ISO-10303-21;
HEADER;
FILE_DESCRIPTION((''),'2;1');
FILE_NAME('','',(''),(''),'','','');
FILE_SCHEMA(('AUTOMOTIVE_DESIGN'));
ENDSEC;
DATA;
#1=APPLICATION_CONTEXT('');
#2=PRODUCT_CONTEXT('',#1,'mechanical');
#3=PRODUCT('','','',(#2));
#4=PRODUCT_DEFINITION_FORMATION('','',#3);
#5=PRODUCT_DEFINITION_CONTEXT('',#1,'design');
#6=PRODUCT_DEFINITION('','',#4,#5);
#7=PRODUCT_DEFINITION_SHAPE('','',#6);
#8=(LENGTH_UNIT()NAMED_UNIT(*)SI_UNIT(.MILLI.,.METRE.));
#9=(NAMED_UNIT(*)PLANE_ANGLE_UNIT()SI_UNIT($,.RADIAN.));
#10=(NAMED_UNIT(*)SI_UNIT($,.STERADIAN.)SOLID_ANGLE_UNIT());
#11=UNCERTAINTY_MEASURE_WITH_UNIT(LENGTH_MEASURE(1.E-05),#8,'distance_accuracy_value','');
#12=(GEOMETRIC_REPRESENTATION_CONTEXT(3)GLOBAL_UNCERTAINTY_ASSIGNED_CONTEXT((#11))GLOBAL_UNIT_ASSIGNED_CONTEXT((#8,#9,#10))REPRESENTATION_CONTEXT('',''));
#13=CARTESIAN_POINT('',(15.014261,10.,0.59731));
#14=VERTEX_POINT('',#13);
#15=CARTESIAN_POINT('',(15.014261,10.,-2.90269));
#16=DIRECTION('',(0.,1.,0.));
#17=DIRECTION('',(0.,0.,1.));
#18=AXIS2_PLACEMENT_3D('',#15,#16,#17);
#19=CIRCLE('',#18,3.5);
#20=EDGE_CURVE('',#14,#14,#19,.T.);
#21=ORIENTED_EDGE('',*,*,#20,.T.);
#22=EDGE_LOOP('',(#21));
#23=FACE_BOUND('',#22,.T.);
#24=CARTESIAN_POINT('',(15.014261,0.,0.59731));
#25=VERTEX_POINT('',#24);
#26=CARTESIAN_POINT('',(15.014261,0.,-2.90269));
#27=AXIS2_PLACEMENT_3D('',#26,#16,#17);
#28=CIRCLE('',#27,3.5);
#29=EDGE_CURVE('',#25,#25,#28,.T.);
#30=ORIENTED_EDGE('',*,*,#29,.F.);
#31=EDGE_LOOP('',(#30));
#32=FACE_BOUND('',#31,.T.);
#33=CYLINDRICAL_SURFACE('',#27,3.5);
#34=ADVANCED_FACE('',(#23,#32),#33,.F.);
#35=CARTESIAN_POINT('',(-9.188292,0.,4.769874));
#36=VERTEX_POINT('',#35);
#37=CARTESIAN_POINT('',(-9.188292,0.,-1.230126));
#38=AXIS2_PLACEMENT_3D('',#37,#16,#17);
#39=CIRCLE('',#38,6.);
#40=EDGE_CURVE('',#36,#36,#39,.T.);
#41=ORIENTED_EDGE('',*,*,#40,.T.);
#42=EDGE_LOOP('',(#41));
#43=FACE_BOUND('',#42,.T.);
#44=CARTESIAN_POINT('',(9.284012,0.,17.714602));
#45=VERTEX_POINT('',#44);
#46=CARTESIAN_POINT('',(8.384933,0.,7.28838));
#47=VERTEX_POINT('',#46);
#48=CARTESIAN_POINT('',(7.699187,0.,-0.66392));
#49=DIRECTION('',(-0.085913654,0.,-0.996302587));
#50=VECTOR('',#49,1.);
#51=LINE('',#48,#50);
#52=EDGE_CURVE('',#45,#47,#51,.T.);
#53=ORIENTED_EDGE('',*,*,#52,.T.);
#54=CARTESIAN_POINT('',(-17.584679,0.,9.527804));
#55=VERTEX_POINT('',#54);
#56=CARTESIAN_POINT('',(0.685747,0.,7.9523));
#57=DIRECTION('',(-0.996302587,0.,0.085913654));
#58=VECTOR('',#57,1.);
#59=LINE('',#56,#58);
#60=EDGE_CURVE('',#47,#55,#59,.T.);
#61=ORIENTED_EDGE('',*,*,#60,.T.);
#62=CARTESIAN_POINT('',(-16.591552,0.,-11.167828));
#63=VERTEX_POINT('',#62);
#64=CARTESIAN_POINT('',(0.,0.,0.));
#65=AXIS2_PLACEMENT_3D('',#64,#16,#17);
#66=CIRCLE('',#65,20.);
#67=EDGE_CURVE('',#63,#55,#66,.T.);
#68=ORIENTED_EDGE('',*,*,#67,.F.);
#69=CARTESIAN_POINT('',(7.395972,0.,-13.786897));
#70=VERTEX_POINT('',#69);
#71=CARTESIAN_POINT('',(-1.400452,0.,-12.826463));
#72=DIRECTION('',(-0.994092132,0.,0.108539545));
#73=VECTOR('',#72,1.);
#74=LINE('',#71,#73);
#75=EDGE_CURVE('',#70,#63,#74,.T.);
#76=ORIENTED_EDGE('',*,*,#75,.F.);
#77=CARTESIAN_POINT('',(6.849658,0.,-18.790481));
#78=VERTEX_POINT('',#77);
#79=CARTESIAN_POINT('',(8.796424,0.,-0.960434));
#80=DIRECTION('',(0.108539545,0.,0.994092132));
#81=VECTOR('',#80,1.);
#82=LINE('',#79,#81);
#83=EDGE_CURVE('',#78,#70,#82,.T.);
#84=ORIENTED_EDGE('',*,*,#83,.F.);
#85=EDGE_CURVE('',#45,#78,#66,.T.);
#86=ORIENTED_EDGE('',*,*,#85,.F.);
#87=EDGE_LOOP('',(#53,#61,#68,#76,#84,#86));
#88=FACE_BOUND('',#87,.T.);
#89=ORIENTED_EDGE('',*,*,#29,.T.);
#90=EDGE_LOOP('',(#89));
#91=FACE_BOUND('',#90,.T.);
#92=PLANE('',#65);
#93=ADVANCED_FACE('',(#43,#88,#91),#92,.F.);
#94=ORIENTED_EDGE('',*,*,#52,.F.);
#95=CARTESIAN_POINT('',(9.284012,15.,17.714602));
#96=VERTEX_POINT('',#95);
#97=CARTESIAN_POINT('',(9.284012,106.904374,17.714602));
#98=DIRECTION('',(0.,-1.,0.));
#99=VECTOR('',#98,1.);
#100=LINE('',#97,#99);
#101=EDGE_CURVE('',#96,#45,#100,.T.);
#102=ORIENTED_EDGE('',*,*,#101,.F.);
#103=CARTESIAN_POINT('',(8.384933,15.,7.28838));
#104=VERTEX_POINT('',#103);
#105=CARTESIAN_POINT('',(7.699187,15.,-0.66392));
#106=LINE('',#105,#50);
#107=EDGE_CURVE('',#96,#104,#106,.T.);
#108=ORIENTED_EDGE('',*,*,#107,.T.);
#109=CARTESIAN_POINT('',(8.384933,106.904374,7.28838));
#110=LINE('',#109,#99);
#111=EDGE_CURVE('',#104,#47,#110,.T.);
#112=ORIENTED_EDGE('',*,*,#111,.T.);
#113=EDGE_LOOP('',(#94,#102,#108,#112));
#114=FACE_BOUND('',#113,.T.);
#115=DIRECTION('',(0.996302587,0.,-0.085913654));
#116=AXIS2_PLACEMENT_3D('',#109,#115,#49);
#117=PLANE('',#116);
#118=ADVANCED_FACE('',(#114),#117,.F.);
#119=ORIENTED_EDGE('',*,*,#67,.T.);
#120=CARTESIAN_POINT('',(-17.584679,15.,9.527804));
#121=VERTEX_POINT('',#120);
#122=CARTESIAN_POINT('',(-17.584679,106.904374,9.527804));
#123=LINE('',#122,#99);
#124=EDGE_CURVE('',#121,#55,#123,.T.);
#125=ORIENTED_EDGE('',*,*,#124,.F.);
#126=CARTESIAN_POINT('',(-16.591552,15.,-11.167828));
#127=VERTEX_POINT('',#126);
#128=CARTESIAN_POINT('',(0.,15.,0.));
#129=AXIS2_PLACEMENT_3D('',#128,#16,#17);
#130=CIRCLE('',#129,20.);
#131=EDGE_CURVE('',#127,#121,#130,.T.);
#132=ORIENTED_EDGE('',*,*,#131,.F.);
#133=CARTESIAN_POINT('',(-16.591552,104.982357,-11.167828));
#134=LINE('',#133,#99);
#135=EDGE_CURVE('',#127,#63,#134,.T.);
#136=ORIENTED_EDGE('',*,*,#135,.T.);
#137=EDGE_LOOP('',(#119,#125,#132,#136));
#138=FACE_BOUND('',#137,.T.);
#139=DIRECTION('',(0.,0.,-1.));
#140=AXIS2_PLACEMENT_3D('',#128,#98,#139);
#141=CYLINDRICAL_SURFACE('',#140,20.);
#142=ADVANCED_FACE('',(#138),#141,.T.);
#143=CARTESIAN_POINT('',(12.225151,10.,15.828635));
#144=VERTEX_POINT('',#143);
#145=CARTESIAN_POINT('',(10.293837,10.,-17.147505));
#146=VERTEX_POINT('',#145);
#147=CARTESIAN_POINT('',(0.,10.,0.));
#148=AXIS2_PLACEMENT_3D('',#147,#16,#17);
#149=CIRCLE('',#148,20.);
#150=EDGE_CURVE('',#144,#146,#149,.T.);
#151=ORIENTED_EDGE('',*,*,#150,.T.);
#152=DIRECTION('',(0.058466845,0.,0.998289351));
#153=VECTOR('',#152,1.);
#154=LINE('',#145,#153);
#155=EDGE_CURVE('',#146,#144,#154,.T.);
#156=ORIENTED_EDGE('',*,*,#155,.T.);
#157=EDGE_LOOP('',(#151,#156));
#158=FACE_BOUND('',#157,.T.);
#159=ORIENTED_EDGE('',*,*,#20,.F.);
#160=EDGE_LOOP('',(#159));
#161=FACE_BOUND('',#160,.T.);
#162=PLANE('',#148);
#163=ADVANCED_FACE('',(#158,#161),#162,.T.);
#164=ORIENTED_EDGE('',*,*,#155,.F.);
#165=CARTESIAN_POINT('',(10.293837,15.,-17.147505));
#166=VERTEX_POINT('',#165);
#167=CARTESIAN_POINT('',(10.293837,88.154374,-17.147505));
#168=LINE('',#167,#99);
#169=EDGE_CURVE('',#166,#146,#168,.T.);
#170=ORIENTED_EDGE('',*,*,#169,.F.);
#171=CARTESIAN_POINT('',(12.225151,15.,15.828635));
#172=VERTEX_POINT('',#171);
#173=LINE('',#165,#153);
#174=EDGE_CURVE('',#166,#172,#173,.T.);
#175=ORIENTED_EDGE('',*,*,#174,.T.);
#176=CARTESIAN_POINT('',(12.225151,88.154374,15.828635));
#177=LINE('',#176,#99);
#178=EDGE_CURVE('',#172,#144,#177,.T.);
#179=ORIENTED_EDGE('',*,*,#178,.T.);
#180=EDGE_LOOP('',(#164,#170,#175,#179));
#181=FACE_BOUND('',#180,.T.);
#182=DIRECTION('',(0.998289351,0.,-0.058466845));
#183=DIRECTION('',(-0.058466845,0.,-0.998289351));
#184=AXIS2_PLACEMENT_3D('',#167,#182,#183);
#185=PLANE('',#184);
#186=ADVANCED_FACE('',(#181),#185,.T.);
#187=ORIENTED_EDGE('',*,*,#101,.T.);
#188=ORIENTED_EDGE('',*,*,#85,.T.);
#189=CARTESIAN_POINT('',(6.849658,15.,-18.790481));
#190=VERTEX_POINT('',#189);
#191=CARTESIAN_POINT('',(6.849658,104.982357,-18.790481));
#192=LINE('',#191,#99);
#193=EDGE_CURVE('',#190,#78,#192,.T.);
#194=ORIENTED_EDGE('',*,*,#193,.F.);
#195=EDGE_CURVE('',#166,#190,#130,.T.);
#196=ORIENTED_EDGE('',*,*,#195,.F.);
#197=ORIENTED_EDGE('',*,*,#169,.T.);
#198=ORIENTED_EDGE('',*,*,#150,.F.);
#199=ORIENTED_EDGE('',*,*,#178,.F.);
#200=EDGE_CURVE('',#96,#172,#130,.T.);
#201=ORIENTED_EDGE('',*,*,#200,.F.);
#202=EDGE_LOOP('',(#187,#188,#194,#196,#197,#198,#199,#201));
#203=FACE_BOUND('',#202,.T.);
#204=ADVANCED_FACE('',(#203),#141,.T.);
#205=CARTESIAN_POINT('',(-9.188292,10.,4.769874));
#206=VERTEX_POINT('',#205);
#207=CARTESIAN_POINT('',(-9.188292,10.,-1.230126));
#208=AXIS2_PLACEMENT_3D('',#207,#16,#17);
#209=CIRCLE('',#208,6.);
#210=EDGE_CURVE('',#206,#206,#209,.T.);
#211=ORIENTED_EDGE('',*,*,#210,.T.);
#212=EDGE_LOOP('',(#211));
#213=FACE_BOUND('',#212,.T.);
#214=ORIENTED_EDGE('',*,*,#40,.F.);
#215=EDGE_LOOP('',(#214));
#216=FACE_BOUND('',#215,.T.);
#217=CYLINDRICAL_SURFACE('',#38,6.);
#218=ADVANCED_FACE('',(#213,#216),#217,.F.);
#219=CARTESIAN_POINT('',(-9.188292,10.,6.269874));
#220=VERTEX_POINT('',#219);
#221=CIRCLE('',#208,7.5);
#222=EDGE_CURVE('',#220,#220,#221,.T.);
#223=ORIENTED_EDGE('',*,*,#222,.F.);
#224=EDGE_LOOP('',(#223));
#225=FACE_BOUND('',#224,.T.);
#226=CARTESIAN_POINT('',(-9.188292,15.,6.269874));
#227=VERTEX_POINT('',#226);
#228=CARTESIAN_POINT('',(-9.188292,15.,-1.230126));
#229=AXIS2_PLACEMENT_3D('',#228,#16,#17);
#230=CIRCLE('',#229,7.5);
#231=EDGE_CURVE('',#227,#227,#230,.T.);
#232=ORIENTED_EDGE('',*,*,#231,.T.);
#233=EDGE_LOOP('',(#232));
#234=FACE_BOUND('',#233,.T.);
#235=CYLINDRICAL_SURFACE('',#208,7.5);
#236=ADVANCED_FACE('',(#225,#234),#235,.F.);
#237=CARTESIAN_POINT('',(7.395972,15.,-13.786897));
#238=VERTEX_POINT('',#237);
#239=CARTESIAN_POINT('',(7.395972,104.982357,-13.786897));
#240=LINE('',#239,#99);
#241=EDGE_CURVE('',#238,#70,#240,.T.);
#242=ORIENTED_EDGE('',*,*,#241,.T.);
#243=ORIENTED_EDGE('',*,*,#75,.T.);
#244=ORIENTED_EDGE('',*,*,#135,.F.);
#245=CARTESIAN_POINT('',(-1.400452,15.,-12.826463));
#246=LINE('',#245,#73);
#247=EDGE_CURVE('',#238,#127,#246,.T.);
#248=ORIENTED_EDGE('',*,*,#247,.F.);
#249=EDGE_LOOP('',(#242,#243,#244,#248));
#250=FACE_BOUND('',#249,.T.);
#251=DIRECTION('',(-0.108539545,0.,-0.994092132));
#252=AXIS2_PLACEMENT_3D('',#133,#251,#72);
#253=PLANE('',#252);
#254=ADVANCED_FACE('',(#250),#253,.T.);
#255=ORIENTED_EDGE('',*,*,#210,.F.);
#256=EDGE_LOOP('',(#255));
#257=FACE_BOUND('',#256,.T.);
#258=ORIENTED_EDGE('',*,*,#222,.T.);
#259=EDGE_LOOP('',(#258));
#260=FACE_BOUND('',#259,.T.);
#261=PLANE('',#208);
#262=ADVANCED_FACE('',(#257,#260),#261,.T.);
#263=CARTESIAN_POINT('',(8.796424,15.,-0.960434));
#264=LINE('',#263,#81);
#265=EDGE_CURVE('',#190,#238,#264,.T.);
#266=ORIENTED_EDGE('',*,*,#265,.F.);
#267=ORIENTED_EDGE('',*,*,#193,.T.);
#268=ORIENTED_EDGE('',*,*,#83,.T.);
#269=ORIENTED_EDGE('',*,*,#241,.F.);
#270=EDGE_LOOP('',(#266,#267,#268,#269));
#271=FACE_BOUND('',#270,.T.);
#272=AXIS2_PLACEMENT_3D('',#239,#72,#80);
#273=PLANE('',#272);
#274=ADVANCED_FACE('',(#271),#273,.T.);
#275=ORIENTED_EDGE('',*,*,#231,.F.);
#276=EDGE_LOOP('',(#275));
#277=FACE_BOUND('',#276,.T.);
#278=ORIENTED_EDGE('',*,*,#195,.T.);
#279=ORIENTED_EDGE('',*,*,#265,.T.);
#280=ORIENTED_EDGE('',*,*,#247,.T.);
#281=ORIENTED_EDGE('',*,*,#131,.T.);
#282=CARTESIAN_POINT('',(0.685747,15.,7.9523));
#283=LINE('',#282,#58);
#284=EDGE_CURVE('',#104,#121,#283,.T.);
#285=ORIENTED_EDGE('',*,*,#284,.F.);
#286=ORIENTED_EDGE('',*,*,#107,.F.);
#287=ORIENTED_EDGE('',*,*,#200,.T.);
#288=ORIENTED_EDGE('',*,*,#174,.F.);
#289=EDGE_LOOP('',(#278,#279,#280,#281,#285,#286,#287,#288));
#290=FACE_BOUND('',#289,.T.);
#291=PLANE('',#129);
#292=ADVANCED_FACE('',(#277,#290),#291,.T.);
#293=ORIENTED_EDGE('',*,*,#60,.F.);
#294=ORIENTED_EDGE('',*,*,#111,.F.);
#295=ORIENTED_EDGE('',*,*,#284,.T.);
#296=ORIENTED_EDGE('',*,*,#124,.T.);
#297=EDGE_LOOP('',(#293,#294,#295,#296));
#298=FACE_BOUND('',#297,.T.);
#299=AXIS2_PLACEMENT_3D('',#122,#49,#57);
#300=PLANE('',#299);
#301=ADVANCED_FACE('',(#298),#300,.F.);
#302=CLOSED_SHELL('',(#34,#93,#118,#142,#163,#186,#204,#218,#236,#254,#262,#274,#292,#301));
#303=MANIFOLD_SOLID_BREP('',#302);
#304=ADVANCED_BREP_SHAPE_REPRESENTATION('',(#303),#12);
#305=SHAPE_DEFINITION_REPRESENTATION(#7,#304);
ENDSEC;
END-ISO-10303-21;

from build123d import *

# Parameters (mm, degrees)
SKETCH1_R               = 20
BOSS_EXTRUDE1_DEPTH     = 15
CUT_EXTRUDE1_DEPTH      = 1
CUT_EXTRUDE1_DEPTH_BACK = 5
SKETCH3_R               = 3.5
CUT_EXTRUDE2_DEPTH      = 11
SKETCH5_R               = 7.5
CUT_EXTRUDE4_DEPTH      = 5
SKETCH4_R               = 6
CUT_EXTRUDE5_DEPTH      = 16
CUT_EXTRUDE6_DEPTH      = 1
CUT_EXTRUDE6_DEPTH_BACK = 16
CUT_EXTRUDE7_DEPTH      = 1
CUT_EXTRUDE7_DEPTH_BACK = 16


with BuildPart() as part:
    # Sketch1 → Boss-Extrude1 (new body)
    with BuildSketch(Plane(origin=(0, 0, 0), x_dir=(1, 0, 0), z_dir=(0, 1, 0))):
        Circle(SKETCH1_R)
    extrude(amount=BOSS_EXTRUDE1_DEPTH)

    # Sketch2 → Cut-Extrude1 (cut, two sides)
    with BuildSketch(Plane(origin=(0, 15, 0), x_dir=(1, 0, 0), z_dir=(0, 1, 0))) as cut_extrude1_sk:
        Polygon((4.074284854, 123.342943671), (10.2938366, 17.14750501), (12.225151258, -15.828634708), (18.444703004, -122.024073369), (230.835580327, -109.584969878), (216.465162177, 135.782047162), align=None)
    extrude(amount=CUT_EXTRUDE1_DEPTH, mode=Mode.SUBTRACT)
    extrude(cut_extrude1_sk.sketch, amount=-CUT_EXTRUDE1_DEPTH_BACK, mode=Mode.SUBTRACT)

    # Sketch3 → Cut-Extrude2 (cut, through all)
    with BuildSketch(Plane(origin=(0, 10, 0), x_dir=(1, 0, 0), z_dir=(0, 1, 0))):
        with Locations((15.014261177, 2.902690148)):
            Circle(SKETCH3_R)
    extrude(amount=-CUT_EXTRUDE2_DEPTH, mode=Mode.SUBTRACT)

    # Sketch5 → Cut-Extrude4 (cut)
    with BuildSketch(Plane(origin=(0, 15, 0), x_dir=(1, 0, 0), z_dir=(0, 1, 0))):
        with Locations((-9.188292451, 1.230126279)):
            Circle(SKETCH5_R)
    extrude(amount=-CUT_EXTRUDE4_DEPTH, mode=Mode.SUBTRACT)

    # Sketch4 → Cut-Extrude5 (cut, through all)
    with BuildSketch(Plane(origin=(0, 15, 0), x_dir=(1, 0, 0), z_dir=(0, 1, 0))):
        with Locations((-9.188292451, 1.230126279)):
            Circle(SKETCH4_R)
    extrude(amount=-CUT_EXTRUDE5_DEPTH, mode=Mode.SUBTRACT)

    # Sketch6 → Cut-Extrude6 (cut, two sides)
    with BuildSketch(Plane(origin=(0, 15, 0), x_dir=(1, 0, 0), z_dir=(0, 1, 0))) as cut_extrude6_sk:
        Polygon((-122.787131769, -18.599673993), (-17.584679199, -9.527804442), (8.38493326, -7.288380068), (9.284012328, -17.714601748), (18.355881879, -122.917054318), (-107.166589312, -292.750880754), (-248.30960296, -188.433500429), align=None)
    extrude(amount=CUT_EXTRUDE6_DEPTH, mode=Mode.SUBTRACT)
    extrude(cut_extrude6_sk.sketch, amount=-CUT_EXTRUDE6_DEPTH_BACK, mode=Mode.SUBTRACT)

    # Sketch7 → Cut-Extrude7 (cut, two sides)
    with BuildSketch(Plane(origin=(0, 15, 0), x_dir=(1, 0, 0), z_dir=(0, 1, 0))) as cut_extrude7_sk:
        Polygon((-119.21548429, -0.03712377), (-16.591552302, 11.167828446), (7.395972386, 13.786896559), (6.849658032, 18.79048123), (-4.355294184, 121.414413217), (-154.363796188, 263.281741412), (-269.223986293, 141.830204426), align=None)
    extrude(amount=CUT_EXTRUDE7_DEPTH, mode=Mode.SUBTRACT)
    extrude(cut_extrude7_sk.sketch, amount=-CUT_EXTRUDE7_DEPTH_BACK, mode=Mode.SUBTRACT)


solid = part.part
